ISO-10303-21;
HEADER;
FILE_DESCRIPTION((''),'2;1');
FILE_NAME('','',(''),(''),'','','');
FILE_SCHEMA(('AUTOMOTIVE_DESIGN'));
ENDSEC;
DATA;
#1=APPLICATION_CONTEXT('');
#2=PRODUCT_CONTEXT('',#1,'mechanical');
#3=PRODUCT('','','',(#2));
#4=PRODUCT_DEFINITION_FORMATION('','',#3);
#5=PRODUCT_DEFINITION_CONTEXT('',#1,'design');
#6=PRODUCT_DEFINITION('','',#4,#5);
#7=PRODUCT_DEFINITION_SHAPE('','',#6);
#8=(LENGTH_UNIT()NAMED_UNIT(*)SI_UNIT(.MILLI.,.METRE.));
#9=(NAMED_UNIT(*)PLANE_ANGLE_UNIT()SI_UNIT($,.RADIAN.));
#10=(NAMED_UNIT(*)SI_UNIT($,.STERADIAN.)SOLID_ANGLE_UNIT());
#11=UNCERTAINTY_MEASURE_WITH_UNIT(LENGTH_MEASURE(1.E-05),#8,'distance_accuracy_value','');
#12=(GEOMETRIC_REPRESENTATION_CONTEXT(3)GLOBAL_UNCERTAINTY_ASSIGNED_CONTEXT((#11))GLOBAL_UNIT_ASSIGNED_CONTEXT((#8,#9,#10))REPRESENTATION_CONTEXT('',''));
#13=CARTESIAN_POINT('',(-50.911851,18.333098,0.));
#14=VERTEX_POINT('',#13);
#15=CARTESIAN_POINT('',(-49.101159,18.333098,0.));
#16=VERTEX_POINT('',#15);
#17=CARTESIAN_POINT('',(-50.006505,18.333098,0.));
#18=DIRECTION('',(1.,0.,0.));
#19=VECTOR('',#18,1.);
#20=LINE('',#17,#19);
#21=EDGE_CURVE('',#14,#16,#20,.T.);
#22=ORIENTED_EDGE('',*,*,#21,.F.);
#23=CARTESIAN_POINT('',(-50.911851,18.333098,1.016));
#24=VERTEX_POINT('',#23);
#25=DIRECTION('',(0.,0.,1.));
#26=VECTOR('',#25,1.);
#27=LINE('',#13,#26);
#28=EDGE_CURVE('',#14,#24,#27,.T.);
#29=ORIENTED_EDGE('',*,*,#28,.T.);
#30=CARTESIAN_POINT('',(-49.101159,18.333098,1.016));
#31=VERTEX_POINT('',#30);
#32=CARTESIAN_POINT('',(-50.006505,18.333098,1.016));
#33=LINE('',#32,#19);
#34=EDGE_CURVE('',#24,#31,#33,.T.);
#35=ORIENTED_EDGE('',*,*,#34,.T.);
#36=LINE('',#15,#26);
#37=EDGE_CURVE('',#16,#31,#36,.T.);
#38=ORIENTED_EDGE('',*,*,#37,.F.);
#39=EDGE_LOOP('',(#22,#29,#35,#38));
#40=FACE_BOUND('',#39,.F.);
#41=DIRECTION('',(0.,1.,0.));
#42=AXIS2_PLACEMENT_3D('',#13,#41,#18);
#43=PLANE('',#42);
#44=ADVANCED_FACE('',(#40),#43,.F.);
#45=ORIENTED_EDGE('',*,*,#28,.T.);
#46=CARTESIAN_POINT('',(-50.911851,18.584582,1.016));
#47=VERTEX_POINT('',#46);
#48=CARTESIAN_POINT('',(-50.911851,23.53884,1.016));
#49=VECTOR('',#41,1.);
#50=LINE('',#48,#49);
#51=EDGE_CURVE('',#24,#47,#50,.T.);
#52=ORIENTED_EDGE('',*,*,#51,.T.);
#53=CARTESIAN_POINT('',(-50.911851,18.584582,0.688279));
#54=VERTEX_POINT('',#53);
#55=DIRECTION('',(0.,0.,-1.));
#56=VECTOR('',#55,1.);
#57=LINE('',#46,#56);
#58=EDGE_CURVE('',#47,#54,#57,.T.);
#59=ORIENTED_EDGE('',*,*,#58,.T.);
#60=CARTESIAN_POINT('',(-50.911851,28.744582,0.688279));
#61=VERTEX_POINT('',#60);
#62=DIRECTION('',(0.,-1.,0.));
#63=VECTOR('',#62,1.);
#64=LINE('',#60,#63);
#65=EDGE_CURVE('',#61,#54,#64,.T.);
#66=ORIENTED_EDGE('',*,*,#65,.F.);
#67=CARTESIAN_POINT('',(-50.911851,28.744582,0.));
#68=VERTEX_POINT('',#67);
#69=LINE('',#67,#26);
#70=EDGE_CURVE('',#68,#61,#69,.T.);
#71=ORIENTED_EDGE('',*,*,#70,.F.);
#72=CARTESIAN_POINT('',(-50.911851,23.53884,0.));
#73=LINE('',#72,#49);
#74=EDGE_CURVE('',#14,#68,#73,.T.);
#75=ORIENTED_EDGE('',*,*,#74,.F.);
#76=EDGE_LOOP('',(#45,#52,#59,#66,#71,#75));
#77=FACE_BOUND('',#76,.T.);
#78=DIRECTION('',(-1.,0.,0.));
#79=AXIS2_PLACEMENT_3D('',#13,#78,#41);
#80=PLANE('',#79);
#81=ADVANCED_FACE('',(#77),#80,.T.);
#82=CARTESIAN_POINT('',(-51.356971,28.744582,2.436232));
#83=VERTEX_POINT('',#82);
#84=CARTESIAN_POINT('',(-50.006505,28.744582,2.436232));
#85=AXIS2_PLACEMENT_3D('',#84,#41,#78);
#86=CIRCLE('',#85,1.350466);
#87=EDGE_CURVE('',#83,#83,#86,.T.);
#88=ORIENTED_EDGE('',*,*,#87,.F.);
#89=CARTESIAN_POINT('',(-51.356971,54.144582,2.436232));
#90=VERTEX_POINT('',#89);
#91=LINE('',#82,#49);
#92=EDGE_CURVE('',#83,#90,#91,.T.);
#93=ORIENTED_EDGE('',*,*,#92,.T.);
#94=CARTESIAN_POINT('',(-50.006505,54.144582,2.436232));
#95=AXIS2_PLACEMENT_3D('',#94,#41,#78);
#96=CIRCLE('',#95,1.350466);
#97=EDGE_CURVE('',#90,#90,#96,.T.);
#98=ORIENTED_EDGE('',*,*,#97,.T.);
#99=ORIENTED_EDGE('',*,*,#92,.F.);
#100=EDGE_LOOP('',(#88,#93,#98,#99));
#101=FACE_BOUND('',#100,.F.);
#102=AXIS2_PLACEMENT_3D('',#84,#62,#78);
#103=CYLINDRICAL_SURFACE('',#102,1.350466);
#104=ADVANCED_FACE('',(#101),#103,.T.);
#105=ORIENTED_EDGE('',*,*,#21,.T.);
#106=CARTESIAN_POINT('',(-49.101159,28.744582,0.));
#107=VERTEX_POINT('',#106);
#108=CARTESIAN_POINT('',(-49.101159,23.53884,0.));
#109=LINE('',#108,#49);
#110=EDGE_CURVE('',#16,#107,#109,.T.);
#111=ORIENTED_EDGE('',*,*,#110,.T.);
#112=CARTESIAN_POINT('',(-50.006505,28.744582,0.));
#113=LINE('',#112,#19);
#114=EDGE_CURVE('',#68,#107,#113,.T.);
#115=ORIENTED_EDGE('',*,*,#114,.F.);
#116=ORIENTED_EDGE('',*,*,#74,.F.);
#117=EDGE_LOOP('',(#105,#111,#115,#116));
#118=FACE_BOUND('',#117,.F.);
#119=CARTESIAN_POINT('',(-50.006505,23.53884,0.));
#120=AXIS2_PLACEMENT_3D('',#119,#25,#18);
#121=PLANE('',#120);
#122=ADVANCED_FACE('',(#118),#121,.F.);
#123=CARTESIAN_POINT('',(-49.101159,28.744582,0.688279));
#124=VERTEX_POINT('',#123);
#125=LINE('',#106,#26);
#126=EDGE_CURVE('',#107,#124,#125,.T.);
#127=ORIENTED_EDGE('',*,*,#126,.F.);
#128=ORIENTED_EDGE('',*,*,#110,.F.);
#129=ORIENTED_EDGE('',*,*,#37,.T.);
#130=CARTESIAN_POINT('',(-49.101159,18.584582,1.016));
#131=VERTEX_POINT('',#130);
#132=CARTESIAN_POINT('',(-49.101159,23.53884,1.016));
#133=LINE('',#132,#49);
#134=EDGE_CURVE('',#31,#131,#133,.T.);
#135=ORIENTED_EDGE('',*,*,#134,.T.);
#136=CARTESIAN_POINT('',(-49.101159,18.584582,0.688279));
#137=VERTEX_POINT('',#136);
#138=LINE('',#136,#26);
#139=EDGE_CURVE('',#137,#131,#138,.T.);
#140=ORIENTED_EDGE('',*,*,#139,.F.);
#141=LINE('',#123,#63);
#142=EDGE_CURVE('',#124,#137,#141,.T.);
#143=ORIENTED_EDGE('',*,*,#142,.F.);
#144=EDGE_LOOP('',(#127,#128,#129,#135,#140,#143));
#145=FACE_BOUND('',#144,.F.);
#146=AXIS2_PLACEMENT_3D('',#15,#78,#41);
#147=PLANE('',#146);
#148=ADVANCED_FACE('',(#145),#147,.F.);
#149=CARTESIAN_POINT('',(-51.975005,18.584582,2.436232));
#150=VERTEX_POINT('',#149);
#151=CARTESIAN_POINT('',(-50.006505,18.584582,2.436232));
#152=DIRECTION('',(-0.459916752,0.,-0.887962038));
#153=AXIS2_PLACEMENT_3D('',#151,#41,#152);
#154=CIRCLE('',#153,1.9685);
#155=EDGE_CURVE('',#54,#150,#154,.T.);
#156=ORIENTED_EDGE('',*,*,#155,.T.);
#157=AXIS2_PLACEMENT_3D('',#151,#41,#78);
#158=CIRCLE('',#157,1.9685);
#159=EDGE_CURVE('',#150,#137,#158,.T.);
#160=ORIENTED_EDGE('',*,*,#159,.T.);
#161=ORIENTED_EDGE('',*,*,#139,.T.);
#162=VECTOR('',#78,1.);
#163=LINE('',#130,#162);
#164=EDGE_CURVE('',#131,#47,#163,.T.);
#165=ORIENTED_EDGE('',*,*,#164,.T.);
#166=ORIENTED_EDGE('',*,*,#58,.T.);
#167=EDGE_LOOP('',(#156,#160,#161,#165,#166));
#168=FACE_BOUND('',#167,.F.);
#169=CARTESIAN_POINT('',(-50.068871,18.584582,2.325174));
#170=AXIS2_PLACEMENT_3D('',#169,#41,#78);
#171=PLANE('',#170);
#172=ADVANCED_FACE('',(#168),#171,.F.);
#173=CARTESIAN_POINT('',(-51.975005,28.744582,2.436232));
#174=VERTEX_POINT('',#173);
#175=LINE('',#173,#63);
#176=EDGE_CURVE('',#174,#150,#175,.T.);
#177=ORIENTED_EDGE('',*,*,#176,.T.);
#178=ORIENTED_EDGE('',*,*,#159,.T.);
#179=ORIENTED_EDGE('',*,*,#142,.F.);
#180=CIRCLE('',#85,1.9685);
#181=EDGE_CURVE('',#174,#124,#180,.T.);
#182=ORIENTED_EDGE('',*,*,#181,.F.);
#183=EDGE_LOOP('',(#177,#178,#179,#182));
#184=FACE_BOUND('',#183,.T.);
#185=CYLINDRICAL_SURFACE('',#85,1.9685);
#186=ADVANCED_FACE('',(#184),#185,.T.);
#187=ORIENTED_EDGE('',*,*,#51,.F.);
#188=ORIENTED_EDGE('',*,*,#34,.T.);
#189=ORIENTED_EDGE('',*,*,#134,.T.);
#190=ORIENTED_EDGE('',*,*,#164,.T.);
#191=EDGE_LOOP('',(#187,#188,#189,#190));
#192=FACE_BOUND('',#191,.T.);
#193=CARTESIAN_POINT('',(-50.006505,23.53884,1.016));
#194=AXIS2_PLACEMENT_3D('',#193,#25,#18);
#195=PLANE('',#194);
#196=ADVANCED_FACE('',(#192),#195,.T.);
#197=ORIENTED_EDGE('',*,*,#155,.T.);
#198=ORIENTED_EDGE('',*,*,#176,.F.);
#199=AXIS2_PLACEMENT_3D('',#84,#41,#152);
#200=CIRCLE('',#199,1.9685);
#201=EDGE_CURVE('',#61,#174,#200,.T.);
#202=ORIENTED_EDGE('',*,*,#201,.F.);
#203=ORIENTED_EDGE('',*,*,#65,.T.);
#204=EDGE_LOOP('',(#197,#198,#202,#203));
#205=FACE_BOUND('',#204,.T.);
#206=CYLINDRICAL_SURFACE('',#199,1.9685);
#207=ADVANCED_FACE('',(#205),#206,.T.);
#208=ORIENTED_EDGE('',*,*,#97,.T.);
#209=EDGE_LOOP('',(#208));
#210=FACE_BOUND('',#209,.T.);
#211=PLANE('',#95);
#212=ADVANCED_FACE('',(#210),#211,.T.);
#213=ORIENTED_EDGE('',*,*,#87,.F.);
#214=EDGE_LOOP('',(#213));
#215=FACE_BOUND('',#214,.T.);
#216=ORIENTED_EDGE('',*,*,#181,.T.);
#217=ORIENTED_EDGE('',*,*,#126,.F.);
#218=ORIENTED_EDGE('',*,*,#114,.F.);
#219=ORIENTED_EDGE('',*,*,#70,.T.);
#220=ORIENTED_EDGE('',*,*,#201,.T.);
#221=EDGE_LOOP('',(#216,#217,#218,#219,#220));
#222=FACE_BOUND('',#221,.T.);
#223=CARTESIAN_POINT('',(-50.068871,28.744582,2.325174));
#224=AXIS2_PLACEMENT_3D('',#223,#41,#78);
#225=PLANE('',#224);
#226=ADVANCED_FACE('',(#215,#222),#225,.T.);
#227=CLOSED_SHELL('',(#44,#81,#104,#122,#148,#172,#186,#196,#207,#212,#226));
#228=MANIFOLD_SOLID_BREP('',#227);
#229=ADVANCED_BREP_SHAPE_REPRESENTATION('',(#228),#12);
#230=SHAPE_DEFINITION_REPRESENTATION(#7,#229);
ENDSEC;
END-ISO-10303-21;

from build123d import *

# Parameters (mm, degrees)
F0_W     = 1.8106922507
F0_H     = 10.411484167
F1_DEPTH = 1.016
F3_DEPTH = 10.16
F4_R     = 1.3504663761
F5_DEPTH = 25.4


with BuildPart() as f1:
    # F0 (on Top) → F1 (new body)
    with BuildSketch(Plane.XY):
        with Locations((-50.0065051019, 23.5388400033)):
            Rectangle(F0_W, F0_H)
    extrude(amount=F1_DEPTH)

    # F2 (on face) → F3 (join)
    with BuildSketch(Plane(origin=(0, 28.7445820868, 0), x_dir=(-1, 0, 0), z_dir=(0, 1, 0))):
        with BuildLine():
            ThreePointArc((50.9118512273, 0.6882785491), (51.6883442883, 1.4132903762), (51.9750051019, 2.4362318218))
            ThreePointArc((51.9750051019, 2.4362318218), (48.9835636563, 4.1180710082), (49.1011589766, 0.6882785491))
            Line((49.1011589766, 0.6882785491), (49.1011589766, 1.016))
            Line((49.1011589766, 1.016), (50.9118512273, 1.016))
            Line((50.9118512273, 1.016), (50.9118512273, 0.6882785491))
        make_face()
    extrude(amount=-F3_DEPTH)

    # F4 (on face) → F5 (join)
    with BuildSketch(Plane(origin=(0, 28.7445820868, 0), x_dir=(-1, 0, 0), z_dir=(0, 1, 0))):
        with Locations((50.0065051019, 2.4362318218)):
            Circle(F4_R)
    extrude(amount=F5_DEPTH)


solid = f1.part
